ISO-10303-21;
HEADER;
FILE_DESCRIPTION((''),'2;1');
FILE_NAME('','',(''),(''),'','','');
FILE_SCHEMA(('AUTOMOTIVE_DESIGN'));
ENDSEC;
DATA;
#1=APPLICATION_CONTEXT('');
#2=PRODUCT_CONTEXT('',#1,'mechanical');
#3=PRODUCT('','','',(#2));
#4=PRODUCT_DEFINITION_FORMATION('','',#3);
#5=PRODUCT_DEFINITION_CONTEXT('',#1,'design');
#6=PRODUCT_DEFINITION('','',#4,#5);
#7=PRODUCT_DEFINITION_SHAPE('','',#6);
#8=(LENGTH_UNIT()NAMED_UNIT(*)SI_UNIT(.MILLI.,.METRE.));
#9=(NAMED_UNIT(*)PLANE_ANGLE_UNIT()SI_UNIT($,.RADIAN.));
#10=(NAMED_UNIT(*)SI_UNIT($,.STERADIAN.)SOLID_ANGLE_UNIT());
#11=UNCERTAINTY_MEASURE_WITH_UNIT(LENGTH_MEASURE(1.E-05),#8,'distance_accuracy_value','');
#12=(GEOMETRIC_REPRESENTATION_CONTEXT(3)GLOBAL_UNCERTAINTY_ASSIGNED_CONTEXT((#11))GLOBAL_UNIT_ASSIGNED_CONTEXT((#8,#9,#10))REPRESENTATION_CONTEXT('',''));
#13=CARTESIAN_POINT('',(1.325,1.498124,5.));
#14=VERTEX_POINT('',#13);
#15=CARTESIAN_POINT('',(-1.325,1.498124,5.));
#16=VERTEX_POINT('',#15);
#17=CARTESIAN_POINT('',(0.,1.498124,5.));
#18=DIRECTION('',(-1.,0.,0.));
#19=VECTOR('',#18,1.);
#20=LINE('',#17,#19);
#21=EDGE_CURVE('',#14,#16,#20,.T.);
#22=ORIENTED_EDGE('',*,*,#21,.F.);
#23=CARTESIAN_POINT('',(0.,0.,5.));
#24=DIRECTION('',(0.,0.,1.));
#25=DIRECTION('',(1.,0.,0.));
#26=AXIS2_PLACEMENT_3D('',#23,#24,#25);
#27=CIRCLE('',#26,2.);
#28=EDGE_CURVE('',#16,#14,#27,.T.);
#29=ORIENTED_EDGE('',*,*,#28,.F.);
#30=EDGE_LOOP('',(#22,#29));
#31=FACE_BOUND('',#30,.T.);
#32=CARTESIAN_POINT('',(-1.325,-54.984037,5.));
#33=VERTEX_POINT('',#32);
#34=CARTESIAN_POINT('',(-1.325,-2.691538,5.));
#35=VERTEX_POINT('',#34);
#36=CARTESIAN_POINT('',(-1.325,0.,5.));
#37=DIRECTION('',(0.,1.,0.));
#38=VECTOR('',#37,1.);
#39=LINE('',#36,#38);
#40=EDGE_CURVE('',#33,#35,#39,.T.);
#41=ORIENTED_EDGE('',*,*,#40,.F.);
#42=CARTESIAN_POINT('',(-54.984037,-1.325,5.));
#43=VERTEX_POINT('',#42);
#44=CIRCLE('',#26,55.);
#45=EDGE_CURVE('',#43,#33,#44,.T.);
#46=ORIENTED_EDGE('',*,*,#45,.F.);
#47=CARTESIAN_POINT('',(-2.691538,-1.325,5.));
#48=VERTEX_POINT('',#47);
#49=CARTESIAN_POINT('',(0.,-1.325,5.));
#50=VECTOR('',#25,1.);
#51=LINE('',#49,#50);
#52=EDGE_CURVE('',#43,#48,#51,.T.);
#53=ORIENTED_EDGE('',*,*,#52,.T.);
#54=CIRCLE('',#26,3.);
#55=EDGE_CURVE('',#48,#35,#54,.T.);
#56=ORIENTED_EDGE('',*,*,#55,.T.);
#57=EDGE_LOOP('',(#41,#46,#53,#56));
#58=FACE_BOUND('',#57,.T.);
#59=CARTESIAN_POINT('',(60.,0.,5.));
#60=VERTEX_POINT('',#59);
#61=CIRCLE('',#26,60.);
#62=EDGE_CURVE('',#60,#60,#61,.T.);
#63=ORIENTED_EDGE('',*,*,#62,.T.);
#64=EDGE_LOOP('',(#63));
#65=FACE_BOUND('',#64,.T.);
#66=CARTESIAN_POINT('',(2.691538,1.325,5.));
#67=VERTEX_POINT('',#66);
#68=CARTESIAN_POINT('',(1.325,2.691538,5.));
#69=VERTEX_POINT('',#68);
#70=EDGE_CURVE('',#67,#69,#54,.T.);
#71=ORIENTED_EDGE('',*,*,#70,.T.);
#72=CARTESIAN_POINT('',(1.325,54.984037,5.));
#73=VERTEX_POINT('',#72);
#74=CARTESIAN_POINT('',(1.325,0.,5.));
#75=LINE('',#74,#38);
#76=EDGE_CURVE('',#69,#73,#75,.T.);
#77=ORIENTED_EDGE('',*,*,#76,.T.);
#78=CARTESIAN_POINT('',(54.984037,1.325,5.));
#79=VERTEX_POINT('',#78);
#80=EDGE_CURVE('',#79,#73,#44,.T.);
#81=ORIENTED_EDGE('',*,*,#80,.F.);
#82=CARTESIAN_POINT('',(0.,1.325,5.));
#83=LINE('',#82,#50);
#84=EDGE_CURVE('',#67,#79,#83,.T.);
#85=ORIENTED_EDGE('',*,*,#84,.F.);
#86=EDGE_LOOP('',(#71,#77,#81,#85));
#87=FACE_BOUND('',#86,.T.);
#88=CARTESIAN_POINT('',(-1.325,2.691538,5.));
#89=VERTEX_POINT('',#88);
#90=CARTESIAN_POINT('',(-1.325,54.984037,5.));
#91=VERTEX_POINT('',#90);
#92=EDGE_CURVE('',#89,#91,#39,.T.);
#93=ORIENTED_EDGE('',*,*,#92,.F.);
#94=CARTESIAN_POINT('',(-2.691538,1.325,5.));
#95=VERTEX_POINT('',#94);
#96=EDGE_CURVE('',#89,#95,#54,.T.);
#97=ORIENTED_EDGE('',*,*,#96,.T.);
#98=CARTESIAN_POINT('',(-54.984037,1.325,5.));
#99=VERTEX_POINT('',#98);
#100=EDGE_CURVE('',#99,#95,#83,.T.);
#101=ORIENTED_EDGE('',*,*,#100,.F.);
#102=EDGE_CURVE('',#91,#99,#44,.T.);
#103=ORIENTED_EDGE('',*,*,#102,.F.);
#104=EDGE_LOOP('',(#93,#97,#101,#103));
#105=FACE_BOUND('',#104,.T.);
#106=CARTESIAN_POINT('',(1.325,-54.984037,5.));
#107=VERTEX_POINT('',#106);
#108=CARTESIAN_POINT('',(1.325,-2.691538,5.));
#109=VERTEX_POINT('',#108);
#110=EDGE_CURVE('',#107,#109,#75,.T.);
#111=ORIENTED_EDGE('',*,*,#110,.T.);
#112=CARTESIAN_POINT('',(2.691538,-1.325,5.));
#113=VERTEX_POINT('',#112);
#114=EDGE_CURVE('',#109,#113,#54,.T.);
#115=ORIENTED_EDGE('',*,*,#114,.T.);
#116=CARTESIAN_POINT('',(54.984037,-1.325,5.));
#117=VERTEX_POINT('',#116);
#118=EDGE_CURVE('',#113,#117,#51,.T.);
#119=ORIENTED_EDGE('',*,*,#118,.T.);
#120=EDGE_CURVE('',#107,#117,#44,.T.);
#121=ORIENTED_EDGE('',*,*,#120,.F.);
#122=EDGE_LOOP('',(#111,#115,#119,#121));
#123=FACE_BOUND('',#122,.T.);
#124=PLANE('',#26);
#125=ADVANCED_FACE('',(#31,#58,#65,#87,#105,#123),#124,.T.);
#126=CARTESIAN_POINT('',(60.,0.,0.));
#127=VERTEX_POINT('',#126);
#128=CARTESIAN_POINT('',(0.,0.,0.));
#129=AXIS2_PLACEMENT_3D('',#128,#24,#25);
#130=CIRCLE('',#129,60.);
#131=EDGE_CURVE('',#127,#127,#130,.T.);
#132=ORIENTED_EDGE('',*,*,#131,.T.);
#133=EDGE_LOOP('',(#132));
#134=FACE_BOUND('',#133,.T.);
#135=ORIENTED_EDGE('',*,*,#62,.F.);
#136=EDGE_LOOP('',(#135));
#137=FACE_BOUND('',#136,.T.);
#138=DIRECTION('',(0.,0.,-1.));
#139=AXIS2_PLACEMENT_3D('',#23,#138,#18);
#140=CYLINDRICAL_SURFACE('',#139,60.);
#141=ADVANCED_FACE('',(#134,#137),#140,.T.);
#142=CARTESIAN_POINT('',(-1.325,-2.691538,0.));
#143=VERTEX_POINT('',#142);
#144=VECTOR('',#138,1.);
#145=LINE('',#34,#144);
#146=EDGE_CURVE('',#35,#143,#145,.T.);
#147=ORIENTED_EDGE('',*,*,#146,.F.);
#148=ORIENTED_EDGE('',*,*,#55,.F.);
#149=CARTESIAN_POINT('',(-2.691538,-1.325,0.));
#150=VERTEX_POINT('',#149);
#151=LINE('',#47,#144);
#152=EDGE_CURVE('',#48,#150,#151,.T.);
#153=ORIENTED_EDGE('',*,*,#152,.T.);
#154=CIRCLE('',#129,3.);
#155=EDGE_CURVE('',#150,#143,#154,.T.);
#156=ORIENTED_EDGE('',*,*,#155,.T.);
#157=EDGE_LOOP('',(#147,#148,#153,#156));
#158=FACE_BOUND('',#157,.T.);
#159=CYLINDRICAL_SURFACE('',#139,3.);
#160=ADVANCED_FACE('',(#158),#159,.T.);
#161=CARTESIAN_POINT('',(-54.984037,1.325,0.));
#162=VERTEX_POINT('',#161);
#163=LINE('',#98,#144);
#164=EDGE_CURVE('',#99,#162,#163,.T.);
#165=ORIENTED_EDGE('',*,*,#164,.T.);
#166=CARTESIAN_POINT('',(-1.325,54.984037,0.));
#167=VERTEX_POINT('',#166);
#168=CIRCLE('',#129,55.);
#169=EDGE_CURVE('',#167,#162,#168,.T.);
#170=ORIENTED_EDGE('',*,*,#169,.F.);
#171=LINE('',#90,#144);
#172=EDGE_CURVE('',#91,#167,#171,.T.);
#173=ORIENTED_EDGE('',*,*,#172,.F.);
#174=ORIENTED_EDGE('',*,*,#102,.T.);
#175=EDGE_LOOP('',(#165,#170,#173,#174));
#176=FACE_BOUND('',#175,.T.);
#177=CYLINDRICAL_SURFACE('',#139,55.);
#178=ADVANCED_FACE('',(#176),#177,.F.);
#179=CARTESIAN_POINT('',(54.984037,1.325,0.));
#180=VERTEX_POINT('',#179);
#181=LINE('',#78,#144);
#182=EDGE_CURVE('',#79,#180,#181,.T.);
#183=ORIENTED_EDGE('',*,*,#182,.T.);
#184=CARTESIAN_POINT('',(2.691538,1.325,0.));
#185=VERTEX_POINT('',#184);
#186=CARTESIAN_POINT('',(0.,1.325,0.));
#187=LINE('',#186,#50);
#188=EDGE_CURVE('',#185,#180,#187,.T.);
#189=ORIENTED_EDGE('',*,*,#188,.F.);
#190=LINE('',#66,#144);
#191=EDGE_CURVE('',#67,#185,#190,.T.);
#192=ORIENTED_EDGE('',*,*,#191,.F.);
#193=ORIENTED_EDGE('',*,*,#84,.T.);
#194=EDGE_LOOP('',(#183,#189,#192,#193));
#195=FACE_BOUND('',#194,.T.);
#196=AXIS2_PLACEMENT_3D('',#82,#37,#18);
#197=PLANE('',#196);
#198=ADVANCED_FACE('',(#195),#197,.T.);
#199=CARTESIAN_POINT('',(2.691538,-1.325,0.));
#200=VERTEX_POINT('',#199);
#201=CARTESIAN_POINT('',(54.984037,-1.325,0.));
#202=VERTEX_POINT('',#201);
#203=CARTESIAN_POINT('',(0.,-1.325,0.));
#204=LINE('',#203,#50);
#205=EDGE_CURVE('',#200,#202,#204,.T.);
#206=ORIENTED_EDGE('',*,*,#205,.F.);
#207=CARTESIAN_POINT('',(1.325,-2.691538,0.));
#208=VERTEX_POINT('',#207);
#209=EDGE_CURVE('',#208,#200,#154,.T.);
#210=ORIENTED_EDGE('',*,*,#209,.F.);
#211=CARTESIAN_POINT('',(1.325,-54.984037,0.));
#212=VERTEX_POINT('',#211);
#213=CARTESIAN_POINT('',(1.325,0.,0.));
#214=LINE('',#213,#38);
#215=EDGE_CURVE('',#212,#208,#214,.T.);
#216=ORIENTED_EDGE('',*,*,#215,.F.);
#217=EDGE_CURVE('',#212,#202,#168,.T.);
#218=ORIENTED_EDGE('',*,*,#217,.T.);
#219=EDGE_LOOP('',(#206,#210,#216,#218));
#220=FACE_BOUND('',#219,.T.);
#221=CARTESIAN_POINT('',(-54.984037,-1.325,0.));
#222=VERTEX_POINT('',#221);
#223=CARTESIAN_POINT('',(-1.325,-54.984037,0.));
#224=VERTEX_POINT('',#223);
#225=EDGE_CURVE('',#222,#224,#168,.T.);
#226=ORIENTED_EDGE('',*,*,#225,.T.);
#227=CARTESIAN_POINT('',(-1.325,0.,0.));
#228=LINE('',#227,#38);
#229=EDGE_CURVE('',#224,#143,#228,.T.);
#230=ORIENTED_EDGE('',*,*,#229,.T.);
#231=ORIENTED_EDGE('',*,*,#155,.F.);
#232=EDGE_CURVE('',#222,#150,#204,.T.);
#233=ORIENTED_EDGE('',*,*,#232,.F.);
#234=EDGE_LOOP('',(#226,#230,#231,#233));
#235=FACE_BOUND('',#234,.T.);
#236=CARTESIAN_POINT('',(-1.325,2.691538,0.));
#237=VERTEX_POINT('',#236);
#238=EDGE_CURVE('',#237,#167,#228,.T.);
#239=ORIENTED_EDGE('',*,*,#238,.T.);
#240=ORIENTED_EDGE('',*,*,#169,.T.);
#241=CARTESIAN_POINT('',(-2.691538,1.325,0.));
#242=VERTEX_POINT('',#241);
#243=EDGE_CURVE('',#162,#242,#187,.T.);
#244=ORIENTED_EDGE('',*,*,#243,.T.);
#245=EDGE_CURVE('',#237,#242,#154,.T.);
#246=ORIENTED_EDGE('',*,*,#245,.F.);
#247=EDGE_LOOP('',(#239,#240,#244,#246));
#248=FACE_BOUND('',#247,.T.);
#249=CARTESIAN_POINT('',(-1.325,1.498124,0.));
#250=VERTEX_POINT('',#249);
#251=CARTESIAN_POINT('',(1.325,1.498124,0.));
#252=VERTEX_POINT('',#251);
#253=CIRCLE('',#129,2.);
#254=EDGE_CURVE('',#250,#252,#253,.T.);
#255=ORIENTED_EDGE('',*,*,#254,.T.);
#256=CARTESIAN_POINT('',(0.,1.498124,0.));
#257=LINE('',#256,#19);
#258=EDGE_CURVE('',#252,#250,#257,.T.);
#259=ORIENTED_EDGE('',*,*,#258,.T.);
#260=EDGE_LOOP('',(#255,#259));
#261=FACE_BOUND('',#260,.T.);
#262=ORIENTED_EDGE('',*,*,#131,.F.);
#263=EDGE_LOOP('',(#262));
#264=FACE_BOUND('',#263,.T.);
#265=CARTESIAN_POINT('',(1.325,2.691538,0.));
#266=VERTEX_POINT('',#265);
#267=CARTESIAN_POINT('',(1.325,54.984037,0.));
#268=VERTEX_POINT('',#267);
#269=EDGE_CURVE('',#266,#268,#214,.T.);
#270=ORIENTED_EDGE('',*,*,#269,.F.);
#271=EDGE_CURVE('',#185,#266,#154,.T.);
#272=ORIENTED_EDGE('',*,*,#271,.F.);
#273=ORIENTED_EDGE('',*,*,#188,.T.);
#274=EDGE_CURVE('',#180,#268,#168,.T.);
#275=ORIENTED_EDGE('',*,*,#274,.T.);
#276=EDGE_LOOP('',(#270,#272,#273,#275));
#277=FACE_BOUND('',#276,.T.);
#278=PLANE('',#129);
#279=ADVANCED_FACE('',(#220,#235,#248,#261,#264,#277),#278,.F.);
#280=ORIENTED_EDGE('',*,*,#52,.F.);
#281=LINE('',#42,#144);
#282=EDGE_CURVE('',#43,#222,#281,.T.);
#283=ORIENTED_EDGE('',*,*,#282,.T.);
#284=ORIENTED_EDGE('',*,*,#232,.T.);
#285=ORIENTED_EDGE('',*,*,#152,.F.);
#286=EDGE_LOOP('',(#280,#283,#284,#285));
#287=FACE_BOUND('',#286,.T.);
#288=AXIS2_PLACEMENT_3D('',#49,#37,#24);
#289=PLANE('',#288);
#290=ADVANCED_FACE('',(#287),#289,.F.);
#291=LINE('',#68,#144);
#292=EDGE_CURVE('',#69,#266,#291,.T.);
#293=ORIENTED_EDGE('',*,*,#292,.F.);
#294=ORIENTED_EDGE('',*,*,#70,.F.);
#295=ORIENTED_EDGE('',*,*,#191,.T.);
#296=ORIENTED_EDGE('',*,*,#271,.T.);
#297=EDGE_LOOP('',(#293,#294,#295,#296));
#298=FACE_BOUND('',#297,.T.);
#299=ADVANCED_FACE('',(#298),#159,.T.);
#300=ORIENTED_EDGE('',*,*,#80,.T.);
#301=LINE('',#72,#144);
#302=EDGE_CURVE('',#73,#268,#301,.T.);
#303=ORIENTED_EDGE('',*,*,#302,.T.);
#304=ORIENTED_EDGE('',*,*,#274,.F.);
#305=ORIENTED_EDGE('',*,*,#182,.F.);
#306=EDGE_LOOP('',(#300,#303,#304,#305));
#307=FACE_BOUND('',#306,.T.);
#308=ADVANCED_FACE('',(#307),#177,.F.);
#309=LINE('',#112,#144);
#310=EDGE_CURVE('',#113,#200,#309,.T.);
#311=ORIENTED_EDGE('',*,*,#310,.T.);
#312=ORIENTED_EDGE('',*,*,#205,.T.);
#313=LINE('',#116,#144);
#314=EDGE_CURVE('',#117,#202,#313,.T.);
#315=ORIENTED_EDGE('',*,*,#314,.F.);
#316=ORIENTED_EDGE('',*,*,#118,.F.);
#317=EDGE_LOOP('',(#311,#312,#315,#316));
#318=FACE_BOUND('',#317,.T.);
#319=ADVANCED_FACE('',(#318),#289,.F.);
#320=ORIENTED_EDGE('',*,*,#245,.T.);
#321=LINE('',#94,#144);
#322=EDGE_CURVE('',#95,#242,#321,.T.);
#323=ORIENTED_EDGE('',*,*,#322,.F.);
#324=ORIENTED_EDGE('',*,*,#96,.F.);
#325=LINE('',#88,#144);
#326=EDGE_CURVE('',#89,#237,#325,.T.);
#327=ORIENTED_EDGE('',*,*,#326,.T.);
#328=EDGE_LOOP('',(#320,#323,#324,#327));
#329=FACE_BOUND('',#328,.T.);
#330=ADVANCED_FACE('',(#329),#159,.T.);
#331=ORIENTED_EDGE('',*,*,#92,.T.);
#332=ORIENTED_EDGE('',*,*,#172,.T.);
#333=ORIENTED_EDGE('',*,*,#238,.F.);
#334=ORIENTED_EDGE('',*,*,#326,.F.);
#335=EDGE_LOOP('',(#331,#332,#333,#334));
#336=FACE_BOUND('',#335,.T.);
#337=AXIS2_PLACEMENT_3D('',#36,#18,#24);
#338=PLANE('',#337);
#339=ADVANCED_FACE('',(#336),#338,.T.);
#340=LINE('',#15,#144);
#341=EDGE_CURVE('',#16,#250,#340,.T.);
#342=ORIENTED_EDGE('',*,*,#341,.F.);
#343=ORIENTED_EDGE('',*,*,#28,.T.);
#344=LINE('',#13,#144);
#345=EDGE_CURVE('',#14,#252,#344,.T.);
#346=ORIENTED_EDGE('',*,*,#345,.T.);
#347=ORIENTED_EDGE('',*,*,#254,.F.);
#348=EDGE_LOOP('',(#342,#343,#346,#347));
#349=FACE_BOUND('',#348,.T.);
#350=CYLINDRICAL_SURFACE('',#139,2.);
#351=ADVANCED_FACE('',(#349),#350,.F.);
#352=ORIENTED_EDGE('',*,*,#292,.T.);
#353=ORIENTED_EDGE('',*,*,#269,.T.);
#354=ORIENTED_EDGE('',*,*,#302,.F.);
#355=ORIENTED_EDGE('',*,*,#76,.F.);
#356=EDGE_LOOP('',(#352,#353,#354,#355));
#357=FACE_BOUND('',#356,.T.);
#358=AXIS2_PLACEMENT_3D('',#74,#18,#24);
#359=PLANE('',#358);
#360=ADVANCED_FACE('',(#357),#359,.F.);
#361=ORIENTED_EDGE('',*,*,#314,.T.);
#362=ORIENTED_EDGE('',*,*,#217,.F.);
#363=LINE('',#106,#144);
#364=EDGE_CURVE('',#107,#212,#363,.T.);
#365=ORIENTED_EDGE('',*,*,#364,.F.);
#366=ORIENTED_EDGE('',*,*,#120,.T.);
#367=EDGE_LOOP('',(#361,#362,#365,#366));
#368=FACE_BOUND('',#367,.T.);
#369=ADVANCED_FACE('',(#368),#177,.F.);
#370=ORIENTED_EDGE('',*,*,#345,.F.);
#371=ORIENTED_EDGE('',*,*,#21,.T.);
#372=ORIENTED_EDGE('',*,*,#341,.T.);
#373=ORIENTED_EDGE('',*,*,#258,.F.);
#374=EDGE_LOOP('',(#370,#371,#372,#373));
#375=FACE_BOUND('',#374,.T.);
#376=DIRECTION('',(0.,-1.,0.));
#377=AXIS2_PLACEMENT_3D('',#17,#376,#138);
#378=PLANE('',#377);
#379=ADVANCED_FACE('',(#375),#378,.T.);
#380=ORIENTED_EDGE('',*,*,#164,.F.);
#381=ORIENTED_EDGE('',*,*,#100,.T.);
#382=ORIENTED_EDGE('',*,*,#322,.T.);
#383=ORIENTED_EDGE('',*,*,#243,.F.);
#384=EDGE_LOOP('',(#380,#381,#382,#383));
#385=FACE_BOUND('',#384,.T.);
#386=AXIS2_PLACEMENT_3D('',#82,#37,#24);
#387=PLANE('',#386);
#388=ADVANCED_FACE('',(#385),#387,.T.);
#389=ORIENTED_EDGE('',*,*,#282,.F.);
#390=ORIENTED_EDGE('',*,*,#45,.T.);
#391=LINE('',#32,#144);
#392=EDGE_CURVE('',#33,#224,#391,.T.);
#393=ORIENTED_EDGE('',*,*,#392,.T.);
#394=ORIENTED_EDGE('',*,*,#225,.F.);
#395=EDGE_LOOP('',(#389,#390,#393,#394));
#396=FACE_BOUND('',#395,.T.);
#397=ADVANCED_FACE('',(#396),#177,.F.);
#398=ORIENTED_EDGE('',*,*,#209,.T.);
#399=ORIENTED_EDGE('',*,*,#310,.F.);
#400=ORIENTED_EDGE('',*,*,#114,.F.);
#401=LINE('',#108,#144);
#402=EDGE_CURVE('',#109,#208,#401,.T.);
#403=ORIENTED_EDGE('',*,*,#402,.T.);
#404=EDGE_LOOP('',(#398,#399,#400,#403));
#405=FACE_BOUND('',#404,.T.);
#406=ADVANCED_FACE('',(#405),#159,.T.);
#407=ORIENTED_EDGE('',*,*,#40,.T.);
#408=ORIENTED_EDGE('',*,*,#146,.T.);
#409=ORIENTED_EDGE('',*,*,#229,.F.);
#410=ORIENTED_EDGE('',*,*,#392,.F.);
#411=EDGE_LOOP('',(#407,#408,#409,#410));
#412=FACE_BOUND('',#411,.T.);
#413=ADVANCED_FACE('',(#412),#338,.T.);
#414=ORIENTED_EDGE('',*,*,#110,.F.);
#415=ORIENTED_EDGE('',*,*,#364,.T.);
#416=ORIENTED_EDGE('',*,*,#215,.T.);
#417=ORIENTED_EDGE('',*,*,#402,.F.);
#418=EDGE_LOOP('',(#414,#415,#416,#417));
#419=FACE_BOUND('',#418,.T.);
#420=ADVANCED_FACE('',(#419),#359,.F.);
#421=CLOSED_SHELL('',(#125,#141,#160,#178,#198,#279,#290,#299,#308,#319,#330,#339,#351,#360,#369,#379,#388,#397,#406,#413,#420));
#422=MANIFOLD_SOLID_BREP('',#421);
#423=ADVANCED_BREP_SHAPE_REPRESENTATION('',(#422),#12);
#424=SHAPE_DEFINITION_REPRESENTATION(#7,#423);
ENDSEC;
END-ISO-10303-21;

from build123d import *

# Parameters (mm, degrees)
SKETCH1_R           = 60
SKETCH1_R_2         = 3
BOSS_EXTRUDE2_DEPTH = 5


with BuildPart() as part:
    # Sketch1 → Boss-Extrude2 (new body)
    # profile 1 of 2: a face of its own
    with BuildSketch(Plane.XY):
        Circle(SKETCH1_R)
        with BuildLine():
            Line((-1.325, 54.984037456), (-1.325, 2.691537665))
            ThreePointArc((-1.325, 2.691537665), (0, 3), (1.325, 2.691537665))
            Line((1.325, 2.691537665), (1.325, 54.984037456))
            ThreePointArc((1.325, 54.984037456), (38.890872965, 38.890872965), (54.984037456, 1.325))
            Line((54.984037456, 1.325), (2.691537665, 1.325))
            ThreePointArc((2.691537665, 1.325), (2.921866954, 0.680215777), (3, 0))
            ThreePointArc((3, 0), (2.921866954, -0.680215777), (2.691537665, -1.325))
            Line((2.691537665, -1.325), (54.984037456, -1.325))
            ThreePointArc((54.984037456, -1.325), (38.890872965, -38.890872965), (1.325, -54.984037456))
            Line((1.325, -54.984037456), (1.325, -2.691537665))
            ThreePointArc((1.325, -2.691537665), (0, -3), (-1.325, -2.691537665))
            Line((-1.325, -2.691537665), (-1.325, -54.984037456))
            ThreePointArc((-1.325, -54.984037456), (-38.890872965, -38.890872965), (-54.984037456, -1.325))
            Line((-54.984037456, -1.325), (-2.691537665, -1.325))
            ThreePointArc((-2.691537665, -1.325), (-3, 0), (-2.691537665, 1.325))
            Line((-2.691537665, 1.325), (-54.984037456, 1.325))
            ThreePointArc((-54.984037456, 1.325), (-38.890872965, 38.890872965), (-1.325, 54.984037456))
        make_face(mode=Mode.SUBTRACT)
    # profile 2 of 2: a face of its own
    with BuildSketch(Plane.XY):
        Circle(SKETCH1_R_2)
        with BuildLine():
            ThreePointArc((-1.325, 1.498123827), (0, -2), (1.325, 1.498123827))
            Line((1.325, 1.498123827), (-1.325, 1.498123827))
        make_face(mode=Mode.SUBTRACT)
    extrude(amount=BOSS_EXTRUDE2_DEPTH)


solid = part.part
